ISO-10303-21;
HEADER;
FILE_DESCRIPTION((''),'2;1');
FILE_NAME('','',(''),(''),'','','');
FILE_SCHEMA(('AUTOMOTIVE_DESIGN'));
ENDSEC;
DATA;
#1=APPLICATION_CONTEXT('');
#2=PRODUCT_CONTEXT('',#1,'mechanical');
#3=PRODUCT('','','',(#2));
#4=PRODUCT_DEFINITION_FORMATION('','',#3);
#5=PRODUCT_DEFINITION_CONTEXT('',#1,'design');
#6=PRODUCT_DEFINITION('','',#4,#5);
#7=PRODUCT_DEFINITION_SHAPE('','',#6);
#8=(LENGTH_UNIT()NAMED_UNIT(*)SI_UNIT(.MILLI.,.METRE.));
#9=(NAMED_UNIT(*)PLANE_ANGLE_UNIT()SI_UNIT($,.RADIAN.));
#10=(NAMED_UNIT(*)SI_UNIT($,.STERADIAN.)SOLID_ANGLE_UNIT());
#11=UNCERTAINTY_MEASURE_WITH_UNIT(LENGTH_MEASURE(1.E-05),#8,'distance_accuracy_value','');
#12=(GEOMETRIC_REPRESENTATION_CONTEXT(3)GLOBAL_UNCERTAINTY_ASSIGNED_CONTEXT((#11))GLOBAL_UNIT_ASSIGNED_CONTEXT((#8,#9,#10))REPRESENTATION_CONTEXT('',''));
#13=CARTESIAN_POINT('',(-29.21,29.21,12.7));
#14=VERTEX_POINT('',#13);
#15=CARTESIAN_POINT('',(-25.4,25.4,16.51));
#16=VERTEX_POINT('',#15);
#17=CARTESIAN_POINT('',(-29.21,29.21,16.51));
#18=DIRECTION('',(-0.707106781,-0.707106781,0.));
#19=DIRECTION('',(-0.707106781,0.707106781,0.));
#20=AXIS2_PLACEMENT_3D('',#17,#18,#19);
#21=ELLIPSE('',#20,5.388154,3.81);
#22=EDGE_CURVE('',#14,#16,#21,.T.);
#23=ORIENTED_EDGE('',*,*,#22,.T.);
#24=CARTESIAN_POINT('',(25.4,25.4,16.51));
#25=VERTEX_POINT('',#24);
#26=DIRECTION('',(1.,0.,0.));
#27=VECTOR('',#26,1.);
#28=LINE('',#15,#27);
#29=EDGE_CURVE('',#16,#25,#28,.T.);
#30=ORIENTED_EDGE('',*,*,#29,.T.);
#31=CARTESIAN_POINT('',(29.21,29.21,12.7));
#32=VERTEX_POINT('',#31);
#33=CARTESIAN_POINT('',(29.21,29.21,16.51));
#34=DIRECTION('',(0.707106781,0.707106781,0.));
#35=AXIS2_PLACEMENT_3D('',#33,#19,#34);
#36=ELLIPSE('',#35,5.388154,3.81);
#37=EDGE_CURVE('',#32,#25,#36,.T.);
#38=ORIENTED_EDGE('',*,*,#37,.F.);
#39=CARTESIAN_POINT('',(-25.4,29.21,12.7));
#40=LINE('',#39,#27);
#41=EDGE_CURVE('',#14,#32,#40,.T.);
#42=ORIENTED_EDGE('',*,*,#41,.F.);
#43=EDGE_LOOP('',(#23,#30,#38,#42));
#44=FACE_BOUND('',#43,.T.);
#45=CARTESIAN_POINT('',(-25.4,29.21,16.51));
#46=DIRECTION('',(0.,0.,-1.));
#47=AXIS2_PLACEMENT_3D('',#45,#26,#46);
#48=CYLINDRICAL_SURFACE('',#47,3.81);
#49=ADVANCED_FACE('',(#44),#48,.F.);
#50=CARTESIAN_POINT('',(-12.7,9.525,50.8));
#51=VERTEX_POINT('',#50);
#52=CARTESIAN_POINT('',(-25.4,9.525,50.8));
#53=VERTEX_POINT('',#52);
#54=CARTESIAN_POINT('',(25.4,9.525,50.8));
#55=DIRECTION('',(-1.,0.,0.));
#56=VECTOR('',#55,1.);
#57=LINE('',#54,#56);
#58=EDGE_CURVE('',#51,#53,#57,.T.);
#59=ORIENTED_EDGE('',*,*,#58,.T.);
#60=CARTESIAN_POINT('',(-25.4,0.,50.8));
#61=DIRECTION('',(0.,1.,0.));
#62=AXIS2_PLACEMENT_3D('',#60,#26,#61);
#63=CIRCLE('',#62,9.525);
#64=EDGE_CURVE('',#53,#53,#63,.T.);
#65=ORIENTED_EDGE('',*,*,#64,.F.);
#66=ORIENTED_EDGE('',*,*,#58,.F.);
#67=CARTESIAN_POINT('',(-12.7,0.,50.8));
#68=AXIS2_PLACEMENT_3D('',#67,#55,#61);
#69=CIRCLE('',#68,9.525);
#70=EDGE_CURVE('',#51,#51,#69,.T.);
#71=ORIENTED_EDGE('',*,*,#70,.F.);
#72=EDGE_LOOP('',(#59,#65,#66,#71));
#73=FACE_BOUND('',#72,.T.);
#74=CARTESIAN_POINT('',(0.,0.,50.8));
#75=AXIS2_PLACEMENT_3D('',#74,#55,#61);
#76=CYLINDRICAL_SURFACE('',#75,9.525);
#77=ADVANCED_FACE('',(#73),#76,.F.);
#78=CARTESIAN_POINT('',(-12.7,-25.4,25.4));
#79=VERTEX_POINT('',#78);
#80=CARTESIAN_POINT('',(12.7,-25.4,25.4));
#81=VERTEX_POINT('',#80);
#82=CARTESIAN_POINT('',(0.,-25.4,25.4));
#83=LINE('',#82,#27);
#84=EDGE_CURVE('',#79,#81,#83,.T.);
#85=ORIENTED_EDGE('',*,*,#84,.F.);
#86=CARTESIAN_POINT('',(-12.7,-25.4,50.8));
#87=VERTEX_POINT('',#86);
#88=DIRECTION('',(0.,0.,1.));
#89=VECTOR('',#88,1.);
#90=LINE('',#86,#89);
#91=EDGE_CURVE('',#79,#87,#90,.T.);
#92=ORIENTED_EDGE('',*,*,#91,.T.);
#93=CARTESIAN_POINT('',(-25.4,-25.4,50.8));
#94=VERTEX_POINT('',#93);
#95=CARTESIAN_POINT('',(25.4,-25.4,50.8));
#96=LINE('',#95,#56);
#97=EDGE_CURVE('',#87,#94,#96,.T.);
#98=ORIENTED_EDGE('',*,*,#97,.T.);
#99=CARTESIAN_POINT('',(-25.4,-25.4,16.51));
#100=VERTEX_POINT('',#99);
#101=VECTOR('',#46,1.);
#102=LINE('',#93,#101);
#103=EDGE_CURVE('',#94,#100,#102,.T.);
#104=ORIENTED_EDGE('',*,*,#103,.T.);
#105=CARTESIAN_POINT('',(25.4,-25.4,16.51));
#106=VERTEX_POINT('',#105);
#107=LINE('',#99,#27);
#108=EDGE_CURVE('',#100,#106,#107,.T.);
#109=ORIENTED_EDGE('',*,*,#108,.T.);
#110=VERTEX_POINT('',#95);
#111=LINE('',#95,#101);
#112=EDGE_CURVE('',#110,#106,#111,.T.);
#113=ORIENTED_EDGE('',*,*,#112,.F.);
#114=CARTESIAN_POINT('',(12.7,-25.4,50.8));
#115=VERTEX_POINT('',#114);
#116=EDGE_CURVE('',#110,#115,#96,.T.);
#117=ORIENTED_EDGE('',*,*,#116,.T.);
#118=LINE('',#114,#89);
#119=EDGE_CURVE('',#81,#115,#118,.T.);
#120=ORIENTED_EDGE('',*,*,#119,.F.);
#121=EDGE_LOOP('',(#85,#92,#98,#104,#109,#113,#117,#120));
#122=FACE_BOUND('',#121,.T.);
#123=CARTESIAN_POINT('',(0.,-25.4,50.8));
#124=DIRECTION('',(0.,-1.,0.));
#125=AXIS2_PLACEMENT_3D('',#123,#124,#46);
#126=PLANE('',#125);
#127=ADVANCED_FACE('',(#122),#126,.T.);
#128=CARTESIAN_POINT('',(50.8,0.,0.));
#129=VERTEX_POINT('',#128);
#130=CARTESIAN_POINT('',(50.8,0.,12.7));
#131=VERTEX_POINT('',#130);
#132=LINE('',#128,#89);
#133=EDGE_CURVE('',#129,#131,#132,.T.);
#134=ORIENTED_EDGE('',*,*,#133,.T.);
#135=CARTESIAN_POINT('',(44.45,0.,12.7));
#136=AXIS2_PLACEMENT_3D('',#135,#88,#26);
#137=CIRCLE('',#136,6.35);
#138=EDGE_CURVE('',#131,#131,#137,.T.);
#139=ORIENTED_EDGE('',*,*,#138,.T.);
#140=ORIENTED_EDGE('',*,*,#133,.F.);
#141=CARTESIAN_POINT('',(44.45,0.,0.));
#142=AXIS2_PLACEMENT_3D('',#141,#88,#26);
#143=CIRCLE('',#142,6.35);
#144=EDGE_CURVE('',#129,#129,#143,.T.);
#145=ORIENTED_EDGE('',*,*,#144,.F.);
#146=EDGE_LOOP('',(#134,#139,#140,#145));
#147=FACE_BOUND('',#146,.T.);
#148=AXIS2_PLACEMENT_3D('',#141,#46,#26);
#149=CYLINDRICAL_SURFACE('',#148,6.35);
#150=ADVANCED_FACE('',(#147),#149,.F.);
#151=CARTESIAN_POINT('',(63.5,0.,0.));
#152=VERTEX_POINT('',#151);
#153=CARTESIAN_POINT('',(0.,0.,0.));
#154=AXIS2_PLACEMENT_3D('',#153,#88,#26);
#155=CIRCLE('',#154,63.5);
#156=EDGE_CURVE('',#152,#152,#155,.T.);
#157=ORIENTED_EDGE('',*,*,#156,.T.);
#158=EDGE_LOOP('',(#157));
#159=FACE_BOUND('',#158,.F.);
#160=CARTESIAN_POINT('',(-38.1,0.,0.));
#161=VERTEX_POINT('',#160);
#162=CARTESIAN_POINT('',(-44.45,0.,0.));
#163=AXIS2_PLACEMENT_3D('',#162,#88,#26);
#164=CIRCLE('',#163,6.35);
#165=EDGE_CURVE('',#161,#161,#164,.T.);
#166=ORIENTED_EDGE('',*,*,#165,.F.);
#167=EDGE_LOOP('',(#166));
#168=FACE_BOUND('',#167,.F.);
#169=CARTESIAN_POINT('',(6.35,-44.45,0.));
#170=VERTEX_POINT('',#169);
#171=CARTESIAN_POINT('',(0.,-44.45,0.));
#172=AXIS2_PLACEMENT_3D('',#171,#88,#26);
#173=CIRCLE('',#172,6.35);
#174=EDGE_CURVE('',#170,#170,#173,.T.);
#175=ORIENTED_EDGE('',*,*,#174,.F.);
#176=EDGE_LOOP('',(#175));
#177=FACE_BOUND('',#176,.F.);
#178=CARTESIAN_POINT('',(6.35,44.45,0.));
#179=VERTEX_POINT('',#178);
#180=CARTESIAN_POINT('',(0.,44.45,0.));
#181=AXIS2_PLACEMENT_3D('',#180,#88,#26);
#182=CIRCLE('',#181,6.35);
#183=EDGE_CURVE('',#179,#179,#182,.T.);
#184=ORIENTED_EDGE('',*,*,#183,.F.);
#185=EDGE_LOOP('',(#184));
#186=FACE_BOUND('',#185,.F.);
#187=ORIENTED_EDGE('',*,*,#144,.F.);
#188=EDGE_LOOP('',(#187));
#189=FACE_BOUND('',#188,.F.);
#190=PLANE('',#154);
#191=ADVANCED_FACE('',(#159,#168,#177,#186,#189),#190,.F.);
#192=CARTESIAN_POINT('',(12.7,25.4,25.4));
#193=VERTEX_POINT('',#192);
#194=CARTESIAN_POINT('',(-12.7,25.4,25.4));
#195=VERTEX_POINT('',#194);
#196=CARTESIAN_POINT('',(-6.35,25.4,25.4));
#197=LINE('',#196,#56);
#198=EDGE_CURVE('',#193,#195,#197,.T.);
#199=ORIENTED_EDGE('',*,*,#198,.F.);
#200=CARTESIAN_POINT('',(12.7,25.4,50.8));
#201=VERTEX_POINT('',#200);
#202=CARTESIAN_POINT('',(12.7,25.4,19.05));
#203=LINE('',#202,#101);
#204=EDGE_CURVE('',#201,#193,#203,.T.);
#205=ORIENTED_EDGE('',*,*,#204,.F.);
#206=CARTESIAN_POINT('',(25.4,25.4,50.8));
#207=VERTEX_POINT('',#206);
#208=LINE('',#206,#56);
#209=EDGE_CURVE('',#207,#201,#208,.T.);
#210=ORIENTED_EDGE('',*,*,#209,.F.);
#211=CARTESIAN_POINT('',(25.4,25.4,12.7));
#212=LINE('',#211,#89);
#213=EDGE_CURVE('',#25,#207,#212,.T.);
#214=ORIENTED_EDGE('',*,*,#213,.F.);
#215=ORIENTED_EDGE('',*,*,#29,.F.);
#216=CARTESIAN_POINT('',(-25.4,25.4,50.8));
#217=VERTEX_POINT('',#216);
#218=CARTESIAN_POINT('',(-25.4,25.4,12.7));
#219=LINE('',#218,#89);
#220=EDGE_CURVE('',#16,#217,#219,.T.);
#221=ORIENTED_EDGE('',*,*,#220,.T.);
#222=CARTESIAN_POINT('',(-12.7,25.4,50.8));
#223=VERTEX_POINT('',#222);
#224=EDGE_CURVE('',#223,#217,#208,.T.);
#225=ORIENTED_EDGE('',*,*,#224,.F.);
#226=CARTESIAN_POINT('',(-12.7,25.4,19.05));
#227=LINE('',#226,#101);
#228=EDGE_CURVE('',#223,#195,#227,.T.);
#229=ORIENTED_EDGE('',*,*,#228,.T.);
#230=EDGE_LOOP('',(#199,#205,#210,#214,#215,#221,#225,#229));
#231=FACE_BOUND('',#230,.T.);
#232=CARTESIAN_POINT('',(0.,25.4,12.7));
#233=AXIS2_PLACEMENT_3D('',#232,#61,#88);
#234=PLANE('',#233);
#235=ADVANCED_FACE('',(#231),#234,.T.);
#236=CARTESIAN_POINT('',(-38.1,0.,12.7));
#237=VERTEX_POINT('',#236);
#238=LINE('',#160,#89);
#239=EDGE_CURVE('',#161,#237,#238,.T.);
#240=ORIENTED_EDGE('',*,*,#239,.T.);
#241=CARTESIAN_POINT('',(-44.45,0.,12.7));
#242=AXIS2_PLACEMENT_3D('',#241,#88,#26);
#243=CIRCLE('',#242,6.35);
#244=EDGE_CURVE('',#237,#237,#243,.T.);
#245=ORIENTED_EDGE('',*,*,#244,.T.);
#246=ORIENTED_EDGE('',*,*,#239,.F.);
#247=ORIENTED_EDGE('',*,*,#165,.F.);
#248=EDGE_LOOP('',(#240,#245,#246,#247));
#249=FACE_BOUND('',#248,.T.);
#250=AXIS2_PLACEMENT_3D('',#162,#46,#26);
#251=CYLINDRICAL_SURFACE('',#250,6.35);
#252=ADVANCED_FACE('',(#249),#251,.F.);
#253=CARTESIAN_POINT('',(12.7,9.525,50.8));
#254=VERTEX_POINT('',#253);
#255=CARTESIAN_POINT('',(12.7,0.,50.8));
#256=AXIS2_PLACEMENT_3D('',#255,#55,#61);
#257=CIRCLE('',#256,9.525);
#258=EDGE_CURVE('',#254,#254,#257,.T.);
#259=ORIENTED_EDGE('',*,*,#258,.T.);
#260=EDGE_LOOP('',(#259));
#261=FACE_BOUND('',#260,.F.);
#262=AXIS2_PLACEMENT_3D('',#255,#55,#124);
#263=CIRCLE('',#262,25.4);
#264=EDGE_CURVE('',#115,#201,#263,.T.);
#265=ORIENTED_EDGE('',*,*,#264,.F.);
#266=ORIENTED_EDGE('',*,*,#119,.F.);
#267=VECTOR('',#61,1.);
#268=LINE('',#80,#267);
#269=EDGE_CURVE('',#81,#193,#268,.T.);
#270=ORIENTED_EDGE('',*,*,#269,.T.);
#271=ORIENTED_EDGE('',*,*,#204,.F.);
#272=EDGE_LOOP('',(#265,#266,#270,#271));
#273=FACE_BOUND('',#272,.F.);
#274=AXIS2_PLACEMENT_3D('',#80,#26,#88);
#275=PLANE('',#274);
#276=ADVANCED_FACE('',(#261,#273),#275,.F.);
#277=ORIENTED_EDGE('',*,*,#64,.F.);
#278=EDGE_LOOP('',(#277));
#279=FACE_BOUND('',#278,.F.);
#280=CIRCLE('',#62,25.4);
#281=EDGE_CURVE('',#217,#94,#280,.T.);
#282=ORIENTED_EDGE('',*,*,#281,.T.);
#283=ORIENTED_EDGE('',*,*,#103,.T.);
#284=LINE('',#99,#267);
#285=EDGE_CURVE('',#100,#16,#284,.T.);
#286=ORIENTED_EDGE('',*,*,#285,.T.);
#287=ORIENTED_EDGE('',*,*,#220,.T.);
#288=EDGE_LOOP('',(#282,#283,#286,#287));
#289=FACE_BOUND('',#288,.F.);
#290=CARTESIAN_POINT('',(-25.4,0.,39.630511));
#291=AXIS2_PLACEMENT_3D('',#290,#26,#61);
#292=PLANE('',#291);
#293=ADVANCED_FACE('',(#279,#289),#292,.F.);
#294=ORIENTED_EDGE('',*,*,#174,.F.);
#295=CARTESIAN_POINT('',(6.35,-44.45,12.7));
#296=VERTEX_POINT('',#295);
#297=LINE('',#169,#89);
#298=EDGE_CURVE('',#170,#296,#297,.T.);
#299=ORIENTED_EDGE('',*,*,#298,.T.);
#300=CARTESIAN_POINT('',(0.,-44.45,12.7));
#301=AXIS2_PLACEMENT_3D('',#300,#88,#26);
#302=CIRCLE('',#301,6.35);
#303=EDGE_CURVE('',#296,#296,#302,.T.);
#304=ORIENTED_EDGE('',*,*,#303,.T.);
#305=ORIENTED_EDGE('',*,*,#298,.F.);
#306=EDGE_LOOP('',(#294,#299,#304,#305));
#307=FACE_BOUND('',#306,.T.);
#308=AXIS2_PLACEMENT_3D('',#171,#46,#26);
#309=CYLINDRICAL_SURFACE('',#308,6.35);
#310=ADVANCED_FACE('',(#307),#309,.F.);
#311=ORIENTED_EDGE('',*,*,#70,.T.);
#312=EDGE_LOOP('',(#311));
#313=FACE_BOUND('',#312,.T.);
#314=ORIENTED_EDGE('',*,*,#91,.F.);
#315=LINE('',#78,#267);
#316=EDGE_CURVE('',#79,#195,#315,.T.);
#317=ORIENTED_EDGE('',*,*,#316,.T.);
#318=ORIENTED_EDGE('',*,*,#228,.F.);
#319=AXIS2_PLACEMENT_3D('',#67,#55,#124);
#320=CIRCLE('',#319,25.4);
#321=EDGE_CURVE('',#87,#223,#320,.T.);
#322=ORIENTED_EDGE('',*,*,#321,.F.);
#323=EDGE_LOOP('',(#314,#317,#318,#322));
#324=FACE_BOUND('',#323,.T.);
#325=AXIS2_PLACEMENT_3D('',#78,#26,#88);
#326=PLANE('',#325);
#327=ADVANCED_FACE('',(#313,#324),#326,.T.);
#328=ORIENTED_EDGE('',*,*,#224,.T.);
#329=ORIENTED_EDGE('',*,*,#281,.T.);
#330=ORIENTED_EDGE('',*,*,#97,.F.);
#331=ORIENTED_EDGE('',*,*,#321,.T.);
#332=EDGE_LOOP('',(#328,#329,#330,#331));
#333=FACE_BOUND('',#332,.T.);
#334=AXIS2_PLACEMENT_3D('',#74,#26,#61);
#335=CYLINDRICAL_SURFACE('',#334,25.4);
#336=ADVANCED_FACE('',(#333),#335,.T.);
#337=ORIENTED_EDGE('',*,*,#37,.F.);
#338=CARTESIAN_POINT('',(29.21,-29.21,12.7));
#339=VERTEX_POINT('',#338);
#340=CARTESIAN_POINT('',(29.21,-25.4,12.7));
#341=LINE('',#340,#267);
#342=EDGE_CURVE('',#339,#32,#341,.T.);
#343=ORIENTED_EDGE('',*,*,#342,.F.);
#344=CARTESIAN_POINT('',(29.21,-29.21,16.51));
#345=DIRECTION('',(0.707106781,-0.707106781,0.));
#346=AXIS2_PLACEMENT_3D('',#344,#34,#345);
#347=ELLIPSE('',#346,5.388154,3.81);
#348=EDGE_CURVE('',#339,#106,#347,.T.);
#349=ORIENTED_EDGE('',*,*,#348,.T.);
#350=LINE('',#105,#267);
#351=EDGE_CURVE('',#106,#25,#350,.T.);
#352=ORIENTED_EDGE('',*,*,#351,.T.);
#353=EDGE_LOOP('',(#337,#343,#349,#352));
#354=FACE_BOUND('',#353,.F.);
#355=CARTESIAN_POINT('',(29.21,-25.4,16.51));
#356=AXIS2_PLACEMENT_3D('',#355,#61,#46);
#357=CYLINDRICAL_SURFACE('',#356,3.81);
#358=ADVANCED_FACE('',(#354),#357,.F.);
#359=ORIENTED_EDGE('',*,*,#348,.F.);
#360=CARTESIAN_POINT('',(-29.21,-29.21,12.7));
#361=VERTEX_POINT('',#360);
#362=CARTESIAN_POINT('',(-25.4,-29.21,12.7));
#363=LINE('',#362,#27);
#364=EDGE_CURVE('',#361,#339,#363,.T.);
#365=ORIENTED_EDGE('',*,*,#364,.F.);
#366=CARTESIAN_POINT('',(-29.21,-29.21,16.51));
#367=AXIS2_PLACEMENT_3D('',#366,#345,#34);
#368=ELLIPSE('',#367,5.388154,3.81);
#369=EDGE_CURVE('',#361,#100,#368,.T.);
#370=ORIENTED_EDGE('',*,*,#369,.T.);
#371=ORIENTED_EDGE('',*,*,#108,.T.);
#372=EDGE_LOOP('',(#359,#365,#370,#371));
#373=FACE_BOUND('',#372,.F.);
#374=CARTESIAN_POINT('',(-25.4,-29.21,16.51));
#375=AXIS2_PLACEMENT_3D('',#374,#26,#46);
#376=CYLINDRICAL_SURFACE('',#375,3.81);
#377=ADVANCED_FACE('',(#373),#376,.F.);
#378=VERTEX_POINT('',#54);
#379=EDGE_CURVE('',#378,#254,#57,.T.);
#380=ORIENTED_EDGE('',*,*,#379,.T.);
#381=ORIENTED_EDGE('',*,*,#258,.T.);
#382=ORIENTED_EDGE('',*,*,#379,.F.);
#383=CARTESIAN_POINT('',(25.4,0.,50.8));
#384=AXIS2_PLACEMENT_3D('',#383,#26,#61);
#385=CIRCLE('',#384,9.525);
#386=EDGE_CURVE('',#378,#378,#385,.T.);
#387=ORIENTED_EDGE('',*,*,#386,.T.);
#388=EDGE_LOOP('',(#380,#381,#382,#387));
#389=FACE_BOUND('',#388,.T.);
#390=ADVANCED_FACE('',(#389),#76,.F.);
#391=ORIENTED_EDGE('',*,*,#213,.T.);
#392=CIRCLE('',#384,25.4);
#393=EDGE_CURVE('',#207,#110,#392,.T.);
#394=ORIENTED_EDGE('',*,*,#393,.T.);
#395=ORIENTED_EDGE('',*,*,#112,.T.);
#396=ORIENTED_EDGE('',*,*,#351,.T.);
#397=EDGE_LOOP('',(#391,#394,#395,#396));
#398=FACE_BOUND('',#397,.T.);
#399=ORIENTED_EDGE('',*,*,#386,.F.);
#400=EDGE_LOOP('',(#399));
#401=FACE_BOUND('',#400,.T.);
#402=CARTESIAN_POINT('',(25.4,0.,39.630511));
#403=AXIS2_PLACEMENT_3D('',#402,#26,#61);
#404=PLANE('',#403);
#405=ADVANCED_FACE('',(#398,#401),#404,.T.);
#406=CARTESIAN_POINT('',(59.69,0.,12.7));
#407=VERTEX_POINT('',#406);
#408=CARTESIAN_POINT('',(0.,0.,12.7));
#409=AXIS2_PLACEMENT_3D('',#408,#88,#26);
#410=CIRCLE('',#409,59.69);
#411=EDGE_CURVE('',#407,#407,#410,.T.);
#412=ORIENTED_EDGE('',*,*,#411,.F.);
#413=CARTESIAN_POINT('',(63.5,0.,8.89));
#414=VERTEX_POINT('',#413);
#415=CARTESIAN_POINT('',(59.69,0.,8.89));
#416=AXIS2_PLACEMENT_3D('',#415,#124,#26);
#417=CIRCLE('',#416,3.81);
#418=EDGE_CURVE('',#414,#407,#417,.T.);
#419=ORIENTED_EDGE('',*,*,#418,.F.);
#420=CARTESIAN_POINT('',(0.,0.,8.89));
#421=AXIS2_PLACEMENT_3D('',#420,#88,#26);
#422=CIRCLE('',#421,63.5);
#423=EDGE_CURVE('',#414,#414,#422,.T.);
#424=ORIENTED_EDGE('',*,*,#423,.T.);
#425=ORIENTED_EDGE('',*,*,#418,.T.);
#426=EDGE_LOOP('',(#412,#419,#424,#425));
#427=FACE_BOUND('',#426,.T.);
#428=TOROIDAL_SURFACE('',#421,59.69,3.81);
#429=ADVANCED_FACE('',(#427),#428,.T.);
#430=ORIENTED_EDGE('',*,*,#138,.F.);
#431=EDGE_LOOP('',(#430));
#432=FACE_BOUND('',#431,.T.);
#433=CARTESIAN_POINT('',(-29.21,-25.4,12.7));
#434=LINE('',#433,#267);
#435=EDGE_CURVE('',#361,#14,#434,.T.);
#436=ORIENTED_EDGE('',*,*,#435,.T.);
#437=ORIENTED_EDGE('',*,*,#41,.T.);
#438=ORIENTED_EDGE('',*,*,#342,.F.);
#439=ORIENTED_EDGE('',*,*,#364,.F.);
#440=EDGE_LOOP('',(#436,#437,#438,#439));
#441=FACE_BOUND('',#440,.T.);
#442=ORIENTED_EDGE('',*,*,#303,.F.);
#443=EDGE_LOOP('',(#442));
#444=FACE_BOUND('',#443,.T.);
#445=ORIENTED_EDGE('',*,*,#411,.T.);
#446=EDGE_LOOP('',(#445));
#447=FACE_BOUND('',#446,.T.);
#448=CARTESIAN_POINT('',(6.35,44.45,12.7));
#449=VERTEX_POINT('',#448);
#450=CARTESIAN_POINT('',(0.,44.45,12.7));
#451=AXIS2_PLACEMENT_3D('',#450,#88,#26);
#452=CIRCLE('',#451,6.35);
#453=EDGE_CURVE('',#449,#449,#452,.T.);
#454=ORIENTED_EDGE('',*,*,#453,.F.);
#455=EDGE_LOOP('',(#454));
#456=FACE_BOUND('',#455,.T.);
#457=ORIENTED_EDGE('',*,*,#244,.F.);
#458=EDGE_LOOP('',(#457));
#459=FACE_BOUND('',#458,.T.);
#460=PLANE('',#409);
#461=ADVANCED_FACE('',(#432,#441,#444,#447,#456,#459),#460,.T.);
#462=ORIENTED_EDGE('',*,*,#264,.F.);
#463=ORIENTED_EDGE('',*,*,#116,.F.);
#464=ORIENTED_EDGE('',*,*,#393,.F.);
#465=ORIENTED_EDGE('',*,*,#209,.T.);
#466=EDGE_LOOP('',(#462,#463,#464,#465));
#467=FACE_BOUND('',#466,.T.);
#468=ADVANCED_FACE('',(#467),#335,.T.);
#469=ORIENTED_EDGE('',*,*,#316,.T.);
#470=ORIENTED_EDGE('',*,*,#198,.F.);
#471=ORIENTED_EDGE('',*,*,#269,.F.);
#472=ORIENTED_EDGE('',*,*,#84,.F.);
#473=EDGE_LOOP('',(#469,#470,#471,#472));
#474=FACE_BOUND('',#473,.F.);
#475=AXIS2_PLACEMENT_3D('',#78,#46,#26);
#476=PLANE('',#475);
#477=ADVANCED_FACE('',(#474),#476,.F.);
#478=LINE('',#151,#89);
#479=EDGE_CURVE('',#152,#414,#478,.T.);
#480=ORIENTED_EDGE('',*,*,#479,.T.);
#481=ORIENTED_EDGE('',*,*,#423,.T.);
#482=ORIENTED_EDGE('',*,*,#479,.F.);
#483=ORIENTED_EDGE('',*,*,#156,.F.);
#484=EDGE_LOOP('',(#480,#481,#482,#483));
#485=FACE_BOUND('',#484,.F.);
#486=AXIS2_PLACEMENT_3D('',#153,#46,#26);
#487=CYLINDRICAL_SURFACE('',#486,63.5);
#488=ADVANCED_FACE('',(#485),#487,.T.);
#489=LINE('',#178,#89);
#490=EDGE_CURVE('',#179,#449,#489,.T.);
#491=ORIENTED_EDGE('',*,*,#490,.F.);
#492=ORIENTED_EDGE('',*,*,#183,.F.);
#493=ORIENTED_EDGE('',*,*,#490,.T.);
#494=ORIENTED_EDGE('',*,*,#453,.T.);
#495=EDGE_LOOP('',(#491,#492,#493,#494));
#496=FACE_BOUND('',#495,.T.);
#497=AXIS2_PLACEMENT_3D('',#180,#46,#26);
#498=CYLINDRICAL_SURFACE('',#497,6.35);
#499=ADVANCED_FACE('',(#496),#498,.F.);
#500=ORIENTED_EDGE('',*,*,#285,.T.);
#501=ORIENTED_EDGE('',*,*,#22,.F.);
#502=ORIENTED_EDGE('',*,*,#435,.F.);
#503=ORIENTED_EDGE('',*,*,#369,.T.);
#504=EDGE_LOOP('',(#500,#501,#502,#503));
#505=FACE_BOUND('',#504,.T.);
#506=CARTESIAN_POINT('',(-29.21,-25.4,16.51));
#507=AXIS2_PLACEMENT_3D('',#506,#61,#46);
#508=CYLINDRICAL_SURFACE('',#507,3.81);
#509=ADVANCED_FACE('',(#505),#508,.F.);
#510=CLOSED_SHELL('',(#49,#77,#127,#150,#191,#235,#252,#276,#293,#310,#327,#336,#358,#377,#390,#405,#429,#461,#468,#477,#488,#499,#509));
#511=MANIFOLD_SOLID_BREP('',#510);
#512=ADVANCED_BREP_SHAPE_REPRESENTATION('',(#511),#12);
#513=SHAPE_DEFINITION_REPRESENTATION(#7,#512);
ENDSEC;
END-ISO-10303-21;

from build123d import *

# Parameters (mm, degrees)
F0_R     = 63.5
F0_R_2   = 6.35
F1_DEPTH = 12.7
F2_R     = 9.525
F3_DEPTH = 25.4
F4_W     = 25.4
F4_H     = 50.8
F5_DEPTH = 88.901
F6_R     = 3.81


with BuildPart() as f1:
    # F0 (on Top) → F1 (new body)
    with BuildSketch(Plane.XY):
        Circle(F0_R)
        with Locations((0, -44.45)):
            Circle(F0_R_2, mode=Mode.SUBTRACT)
        with Locations((-44.45, 0)):
            Circle(F0_R_2, mode=Mode.SUBTRACT)
        with Locations((44.45, 0)):
            Circle(F0_R_2, mode=Mode.SUBTRACT)
        with Locations((0, 44.45)):
            Circle(F0_R_2, mode=Mode.SUBTRACT)
    extrude(amount=F1_DEPTH)

    # F2 (on Right) → F3 (join, symmetric)
    with BuildSketch(Plane.YZ):
        with BuildLine():
            Line((-25.4, 50.8), (-25.4, 12.7))
            Line((-25.4, 12.7), (25.4, 12.7))
            Line((25.4, 12.7), (25.4, 50.8))
            ThreePointArc((25.4, 50.8), (0, 76.2), (-25.4, 50.8))
        make_face()
        with Locations((0, 50.8)):
            Circle(F2_R, mode=Mode.SUBTRACT)
    extrude(amount=F3_DEPTH, both=True)

    # F4 (on face) → F5 (cut, through all)
    with BuildSketch(Plane.XZ.offset(25.4)):
        with Locations((0, 50.8)):
            Rectangle(F4_W, F4_H)
    extrude(amount=-F5_DEPTH, mode=Mode.SUBTRACT)

    # F6
    f6_edges = [f1.edges().sort_by_distance(p)[0] for p in [
        (0, -25.4, 12.7),
        (-25.4, 0, 12.7),
        (0, 25.4, 12.7),
        (25.4, 0, 12.7),
        (-63.5, 0, 12.7),
    ]]
    fillet(f6_edges, radius=F6_R)


solid = f1.part
